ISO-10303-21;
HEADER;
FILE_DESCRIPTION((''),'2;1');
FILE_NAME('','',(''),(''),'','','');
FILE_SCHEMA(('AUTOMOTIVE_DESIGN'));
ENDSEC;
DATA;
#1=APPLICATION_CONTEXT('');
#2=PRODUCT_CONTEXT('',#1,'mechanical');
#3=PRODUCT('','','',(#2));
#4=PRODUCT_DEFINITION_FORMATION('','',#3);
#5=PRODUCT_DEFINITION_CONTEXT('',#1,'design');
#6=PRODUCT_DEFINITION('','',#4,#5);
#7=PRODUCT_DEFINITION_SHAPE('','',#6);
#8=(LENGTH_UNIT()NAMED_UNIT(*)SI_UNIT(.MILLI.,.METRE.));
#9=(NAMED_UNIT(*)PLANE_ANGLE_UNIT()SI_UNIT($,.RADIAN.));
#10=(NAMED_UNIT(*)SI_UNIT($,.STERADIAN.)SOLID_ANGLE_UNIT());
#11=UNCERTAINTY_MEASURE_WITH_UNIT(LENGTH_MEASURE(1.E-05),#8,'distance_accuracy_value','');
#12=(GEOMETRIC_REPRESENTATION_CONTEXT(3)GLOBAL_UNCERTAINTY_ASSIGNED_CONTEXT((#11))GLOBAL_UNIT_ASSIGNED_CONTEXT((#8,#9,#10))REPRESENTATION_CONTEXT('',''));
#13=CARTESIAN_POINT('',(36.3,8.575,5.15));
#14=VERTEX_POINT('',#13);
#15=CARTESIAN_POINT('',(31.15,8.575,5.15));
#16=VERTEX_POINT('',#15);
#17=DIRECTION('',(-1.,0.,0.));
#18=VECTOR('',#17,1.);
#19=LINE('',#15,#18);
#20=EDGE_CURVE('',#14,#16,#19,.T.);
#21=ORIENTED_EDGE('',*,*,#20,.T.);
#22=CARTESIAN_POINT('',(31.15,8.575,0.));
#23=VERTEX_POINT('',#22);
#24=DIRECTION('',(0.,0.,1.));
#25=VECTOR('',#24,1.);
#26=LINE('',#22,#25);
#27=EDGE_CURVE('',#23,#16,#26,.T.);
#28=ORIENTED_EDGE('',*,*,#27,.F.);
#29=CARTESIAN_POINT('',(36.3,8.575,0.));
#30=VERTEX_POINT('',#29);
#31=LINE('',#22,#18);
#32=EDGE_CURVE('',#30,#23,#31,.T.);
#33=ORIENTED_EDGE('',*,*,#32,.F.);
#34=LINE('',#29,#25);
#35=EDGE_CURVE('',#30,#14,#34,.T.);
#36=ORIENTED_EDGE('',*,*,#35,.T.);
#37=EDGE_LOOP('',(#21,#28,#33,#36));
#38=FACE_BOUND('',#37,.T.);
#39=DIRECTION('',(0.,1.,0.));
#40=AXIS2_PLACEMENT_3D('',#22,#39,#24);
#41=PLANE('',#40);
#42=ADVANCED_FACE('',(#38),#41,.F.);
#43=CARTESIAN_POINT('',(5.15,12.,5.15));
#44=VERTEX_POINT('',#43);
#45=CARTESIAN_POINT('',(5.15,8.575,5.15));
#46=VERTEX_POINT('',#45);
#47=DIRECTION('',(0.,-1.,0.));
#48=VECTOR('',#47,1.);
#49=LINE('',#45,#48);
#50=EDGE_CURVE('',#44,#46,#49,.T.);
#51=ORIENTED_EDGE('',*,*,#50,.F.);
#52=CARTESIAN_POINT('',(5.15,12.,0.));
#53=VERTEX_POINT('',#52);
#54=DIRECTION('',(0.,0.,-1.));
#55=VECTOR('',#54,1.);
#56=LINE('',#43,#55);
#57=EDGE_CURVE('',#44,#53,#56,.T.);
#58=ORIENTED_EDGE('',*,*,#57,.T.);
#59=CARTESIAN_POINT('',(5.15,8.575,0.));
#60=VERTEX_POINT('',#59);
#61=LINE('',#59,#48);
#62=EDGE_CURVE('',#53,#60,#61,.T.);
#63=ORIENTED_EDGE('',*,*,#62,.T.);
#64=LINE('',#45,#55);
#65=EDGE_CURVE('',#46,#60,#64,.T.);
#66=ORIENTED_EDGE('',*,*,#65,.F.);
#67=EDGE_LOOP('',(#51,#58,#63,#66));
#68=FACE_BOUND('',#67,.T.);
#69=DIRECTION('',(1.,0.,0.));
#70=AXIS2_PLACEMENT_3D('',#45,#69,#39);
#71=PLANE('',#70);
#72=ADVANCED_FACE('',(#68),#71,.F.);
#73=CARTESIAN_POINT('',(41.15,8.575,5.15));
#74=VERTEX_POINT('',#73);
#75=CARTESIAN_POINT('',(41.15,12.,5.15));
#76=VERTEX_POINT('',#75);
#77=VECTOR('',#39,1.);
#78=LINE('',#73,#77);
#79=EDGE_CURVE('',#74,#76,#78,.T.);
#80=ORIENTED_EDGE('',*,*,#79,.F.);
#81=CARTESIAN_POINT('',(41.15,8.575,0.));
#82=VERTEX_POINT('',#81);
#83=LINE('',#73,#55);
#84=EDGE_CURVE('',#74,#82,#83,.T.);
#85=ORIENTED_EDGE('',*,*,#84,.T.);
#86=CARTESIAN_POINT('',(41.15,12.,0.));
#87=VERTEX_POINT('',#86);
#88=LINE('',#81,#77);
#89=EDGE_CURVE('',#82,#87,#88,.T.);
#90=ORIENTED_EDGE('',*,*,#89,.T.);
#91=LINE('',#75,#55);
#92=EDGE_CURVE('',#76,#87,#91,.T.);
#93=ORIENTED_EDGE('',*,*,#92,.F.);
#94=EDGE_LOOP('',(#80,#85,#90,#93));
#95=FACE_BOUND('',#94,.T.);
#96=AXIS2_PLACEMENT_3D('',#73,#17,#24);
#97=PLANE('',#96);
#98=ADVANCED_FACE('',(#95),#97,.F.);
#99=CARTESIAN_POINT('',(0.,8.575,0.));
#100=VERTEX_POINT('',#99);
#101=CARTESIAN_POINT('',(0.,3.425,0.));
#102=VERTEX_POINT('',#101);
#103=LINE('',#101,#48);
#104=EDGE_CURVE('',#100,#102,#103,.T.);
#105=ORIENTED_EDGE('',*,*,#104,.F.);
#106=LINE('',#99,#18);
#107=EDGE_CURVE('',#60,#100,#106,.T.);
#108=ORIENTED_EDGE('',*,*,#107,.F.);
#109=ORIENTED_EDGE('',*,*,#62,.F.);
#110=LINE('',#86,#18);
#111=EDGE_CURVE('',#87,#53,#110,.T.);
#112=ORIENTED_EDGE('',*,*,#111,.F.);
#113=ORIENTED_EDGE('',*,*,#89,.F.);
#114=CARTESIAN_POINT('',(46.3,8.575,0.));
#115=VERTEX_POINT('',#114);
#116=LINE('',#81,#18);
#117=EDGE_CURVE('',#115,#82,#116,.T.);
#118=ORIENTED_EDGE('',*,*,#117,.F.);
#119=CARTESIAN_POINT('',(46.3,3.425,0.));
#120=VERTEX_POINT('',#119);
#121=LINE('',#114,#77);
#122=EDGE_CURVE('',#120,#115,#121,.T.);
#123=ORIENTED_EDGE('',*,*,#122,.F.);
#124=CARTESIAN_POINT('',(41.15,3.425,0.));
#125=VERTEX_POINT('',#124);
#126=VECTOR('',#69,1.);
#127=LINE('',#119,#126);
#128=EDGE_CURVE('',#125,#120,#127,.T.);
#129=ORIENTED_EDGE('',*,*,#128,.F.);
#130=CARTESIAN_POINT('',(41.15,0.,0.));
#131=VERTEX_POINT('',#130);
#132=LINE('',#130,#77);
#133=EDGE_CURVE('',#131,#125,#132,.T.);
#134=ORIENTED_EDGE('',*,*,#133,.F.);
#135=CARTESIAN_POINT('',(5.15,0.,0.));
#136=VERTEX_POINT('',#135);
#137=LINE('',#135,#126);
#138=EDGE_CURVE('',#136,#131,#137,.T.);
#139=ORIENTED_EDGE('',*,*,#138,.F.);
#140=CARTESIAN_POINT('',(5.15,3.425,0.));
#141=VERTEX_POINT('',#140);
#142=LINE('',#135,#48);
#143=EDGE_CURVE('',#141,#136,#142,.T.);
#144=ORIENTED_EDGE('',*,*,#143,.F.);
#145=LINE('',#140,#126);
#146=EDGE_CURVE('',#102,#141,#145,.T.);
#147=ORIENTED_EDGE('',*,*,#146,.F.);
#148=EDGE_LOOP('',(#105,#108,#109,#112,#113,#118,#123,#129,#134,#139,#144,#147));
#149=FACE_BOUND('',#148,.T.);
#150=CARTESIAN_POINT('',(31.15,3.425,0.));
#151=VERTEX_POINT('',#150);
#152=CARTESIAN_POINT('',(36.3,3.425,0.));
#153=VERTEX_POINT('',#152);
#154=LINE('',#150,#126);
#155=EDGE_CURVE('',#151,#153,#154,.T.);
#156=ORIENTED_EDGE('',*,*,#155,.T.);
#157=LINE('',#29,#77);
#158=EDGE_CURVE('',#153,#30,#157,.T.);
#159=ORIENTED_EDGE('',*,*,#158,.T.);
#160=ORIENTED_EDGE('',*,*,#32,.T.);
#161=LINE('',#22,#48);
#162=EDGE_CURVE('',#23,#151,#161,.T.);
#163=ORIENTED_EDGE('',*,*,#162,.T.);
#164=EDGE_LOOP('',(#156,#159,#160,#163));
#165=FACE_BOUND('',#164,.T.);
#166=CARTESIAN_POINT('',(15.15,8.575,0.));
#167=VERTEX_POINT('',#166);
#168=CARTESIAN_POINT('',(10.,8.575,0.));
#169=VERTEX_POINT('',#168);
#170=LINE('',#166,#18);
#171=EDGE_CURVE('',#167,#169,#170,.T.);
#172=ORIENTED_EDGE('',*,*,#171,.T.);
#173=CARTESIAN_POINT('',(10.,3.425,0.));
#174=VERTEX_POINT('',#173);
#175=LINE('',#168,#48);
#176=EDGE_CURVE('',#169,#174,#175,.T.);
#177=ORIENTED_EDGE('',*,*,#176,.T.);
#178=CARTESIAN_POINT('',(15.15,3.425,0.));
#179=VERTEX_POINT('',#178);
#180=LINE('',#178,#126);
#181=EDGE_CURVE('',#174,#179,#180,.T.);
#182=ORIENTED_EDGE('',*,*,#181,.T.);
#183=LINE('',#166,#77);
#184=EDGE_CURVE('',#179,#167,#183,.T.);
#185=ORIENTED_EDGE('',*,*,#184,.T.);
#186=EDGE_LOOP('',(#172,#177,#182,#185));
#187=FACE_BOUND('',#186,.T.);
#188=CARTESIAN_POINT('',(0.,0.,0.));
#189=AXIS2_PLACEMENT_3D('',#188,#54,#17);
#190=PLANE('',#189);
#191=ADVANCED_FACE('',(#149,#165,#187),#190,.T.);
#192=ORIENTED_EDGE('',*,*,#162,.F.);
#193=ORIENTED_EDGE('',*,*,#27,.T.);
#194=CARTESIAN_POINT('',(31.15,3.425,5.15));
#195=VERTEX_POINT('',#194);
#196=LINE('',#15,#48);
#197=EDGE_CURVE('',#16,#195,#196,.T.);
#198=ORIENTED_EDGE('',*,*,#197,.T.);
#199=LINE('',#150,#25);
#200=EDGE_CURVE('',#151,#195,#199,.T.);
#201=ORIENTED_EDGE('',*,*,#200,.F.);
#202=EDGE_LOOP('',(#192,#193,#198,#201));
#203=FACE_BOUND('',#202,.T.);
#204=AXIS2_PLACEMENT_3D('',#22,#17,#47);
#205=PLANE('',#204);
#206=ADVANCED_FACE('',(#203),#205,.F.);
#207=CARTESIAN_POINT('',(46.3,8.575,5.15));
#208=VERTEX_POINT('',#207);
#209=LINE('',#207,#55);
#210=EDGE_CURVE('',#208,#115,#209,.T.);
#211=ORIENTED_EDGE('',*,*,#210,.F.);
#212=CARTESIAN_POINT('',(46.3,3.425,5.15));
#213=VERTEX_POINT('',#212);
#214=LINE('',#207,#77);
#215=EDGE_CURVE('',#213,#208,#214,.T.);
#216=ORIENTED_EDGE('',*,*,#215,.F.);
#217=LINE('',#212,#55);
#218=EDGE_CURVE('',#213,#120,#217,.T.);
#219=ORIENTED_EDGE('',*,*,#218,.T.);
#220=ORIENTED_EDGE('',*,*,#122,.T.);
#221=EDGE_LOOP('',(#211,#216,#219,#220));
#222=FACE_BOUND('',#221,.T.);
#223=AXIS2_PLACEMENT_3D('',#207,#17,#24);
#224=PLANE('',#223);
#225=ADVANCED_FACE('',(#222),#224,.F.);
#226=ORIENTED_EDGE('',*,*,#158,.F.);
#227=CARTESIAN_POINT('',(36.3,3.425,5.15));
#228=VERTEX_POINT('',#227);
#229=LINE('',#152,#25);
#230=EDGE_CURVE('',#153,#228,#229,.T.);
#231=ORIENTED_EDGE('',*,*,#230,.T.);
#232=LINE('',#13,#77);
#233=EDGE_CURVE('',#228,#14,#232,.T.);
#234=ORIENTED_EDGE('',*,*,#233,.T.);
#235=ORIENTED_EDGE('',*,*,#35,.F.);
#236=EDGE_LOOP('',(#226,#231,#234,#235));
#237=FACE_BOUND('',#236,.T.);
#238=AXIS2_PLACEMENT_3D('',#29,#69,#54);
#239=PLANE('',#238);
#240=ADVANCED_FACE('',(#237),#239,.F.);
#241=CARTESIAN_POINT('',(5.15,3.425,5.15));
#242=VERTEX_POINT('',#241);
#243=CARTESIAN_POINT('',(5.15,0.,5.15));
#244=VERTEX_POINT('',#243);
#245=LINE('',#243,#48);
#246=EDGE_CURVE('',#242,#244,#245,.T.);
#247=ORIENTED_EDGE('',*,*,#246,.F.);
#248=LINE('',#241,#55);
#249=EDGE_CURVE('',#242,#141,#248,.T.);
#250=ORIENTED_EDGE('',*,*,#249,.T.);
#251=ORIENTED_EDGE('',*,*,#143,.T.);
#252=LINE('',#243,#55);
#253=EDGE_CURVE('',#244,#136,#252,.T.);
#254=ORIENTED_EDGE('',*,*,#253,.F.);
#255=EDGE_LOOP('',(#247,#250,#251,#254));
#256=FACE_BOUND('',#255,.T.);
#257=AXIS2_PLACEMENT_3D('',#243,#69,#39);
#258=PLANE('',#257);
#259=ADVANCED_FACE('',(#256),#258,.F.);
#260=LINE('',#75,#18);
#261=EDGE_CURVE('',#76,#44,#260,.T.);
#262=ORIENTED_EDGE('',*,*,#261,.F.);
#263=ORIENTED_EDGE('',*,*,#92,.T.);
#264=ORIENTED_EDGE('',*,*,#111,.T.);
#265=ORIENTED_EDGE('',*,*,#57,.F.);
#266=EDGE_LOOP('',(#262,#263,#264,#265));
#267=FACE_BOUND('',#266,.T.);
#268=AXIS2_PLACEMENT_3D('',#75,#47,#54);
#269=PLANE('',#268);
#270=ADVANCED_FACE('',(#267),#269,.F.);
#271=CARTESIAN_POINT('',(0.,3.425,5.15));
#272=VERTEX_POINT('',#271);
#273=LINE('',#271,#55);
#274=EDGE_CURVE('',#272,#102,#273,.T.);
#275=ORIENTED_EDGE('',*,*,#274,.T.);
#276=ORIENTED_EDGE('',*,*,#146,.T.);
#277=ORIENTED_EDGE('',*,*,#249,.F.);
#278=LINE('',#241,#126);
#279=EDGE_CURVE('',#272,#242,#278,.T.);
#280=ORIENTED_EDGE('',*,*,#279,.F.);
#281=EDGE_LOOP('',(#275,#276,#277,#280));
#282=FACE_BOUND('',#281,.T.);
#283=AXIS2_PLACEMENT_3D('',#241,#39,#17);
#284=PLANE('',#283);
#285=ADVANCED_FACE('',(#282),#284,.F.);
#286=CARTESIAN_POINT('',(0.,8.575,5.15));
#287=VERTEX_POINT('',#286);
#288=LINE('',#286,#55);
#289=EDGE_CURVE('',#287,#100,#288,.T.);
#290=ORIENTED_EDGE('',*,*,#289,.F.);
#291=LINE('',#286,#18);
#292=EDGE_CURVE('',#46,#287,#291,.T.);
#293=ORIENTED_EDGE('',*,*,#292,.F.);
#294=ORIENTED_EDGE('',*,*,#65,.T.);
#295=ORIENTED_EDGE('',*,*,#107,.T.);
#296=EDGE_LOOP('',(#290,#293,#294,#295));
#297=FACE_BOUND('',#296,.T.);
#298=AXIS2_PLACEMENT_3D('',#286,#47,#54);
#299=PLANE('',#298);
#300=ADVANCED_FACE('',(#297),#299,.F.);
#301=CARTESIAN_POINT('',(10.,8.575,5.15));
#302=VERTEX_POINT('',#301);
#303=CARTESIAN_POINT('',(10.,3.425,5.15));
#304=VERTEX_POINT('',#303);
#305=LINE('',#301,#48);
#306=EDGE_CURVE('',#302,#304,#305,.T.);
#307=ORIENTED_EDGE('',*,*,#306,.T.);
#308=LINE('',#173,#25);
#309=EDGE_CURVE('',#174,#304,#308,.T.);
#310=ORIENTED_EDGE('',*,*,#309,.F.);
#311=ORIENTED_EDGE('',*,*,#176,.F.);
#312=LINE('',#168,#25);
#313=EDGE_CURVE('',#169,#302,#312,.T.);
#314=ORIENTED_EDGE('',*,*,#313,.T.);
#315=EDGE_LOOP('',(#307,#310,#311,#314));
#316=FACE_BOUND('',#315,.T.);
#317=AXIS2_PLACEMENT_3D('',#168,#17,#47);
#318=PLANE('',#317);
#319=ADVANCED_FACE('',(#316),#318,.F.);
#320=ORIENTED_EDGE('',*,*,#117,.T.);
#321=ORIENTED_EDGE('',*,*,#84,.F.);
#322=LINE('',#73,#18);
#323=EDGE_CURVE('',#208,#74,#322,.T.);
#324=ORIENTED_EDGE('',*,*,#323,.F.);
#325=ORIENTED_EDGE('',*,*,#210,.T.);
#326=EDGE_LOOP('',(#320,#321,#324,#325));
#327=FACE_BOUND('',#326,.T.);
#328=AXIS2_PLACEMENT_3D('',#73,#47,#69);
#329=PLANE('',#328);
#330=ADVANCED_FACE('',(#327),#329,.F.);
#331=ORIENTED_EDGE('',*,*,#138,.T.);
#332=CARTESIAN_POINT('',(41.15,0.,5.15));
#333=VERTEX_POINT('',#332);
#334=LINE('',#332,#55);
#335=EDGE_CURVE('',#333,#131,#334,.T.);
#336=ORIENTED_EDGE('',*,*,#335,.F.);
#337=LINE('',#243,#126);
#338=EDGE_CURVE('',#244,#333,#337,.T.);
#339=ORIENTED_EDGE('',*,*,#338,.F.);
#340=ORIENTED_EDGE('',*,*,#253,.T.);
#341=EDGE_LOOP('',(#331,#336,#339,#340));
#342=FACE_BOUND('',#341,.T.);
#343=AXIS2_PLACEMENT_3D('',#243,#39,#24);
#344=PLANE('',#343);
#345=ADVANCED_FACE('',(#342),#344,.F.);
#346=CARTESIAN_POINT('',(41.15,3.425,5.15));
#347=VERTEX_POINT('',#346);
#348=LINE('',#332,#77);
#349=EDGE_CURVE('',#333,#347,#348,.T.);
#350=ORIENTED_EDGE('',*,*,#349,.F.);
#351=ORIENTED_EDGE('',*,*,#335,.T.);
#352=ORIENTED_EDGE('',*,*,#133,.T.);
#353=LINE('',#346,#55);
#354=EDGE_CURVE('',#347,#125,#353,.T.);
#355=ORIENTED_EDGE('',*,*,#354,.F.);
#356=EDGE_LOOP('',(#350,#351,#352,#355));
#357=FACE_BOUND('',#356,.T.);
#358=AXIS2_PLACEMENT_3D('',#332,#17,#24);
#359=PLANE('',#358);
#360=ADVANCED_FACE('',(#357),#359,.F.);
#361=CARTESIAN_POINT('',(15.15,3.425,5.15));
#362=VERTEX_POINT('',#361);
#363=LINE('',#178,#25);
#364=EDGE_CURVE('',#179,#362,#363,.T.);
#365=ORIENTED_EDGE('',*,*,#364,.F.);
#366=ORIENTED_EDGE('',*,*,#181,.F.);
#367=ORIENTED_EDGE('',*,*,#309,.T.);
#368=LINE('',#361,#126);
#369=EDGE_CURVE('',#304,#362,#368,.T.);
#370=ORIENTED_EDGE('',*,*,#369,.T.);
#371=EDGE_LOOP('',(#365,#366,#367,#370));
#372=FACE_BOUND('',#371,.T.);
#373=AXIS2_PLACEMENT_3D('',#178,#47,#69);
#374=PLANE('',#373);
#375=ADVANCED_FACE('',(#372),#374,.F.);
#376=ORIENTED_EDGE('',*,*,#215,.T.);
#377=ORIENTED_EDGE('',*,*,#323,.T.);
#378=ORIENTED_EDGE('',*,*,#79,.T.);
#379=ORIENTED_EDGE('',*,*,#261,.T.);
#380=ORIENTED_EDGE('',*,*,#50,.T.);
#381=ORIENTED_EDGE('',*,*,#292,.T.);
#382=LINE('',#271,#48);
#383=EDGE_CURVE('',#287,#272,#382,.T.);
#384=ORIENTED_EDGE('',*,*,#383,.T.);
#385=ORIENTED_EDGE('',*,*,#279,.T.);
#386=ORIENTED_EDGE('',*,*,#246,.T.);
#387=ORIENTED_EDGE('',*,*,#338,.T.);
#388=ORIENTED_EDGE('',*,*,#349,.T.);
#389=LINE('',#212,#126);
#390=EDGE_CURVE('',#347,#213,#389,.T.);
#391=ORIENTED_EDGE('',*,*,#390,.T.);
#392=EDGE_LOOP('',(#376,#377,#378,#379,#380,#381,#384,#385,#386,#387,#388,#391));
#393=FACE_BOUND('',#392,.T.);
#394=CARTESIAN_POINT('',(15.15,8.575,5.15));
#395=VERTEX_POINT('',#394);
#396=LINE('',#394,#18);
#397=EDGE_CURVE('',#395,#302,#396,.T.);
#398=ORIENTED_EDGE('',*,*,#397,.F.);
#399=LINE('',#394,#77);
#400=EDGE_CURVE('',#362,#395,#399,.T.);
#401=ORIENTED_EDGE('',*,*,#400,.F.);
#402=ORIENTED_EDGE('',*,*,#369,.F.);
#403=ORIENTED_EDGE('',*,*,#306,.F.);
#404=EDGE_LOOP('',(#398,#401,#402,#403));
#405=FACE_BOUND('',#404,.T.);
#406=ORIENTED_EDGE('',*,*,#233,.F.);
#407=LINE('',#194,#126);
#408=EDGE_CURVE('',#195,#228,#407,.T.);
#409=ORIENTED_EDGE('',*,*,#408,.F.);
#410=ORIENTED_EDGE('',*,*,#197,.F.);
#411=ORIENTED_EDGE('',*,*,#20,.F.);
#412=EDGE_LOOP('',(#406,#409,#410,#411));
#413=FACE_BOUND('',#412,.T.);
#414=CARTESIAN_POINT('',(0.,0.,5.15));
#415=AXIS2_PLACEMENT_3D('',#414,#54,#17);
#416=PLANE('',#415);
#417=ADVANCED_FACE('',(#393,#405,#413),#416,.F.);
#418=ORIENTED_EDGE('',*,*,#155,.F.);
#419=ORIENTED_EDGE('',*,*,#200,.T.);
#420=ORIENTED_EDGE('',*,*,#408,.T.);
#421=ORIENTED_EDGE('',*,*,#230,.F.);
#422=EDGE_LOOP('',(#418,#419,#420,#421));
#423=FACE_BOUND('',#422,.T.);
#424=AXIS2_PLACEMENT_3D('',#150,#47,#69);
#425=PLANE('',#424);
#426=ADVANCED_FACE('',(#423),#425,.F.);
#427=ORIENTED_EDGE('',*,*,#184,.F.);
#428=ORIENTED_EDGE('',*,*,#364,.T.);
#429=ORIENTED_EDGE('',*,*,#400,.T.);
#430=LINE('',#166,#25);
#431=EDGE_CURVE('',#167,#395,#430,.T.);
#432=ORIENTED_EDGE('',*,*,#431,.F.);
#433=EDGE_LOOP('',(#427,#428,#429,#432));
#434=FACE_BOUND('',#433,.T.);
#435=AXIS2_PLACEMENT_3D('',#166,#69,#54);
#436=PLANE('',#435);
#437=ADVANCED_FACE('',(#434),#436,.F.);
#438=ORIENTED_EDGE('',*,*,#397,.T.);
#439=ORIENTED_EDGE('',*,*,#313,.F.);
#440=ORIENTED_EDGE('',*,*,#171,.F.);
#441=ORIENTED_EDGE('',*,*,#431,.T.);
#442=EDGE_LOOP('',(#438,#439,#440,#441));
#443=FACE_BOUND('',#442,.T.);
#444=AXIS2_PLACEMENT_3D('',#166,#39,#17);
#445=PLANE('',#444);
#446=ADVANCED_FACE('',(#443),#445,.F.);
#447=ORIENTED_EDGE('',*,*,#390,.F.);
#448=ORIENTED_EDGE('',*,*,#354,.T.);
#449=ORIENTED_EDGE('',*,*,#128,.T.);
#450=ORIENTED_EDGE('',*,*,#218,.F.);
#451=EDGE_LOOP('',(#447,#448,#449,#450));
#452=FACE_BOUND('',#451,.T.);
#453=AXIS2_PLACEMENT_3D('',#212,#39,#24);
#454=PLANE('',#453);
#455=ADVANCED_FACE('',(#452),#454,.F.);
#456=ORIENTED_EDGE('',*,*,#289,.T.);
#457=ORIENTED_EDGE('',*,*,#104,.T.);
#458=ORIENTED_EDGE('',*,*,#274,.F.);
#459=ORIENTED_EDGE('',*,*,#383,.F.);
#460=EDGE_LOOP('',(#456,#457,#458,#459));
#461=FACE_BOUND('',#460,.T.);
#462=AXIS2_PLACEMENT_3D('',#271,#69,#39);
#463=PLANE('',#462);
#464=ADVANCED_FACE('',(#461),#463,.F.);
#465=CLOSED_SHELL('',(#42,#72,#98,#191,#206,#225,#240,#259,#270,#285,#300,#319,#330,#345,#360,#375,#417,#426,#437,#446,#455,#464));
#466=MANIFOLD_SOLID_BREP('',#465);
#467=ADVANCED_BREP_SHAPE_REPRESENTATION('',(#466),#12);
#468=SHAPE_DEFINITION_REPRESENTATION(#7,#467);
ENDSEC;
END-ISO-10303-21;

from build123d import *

# Parameters (mm, degrees)
BOSS_EXTRUDE1_DEPTH = 5.15
SKETCH3_W           = 5.15
SKETCH3_H           = 5.15
CUT_EXTRUDE1_DEPTH  = 6.15


with BuildPart() as part:
    # Sketch2 → Boss-Extrude1 (new body)
    with BuildSketch(Plane.XY):
        Polygon((0, 3.425), (0, 8.575), (5.15, 8.575), (5.15, 12), (41.15, 12), (41.15, 8.575), (46.3, 8.575), (46.3, 3.425), (41.15, 3.425), (41.15, 0), (5.15, 0), (5.15, 3.425), align=None)
    extrude(amount=BOSS_EXTRUDE1_DEPTH)

    # Sketch3 → Cut-Extrude1 (cut, through all)
    with BuildSketch(Plane.XY.offset(5.15)):
        with Locations((12.575, 6)):
            Rectangle(SKETCH3_W, SKETCH3_H)
        with Locations((33.725, 6)):
            Rectangle(SKETCH3_W, SKETCH3_H)
    extrude(amount=-CUT_EXTRUDE1_DEPTH, mode=Mode.SUBTRACT)


solid = part.part
